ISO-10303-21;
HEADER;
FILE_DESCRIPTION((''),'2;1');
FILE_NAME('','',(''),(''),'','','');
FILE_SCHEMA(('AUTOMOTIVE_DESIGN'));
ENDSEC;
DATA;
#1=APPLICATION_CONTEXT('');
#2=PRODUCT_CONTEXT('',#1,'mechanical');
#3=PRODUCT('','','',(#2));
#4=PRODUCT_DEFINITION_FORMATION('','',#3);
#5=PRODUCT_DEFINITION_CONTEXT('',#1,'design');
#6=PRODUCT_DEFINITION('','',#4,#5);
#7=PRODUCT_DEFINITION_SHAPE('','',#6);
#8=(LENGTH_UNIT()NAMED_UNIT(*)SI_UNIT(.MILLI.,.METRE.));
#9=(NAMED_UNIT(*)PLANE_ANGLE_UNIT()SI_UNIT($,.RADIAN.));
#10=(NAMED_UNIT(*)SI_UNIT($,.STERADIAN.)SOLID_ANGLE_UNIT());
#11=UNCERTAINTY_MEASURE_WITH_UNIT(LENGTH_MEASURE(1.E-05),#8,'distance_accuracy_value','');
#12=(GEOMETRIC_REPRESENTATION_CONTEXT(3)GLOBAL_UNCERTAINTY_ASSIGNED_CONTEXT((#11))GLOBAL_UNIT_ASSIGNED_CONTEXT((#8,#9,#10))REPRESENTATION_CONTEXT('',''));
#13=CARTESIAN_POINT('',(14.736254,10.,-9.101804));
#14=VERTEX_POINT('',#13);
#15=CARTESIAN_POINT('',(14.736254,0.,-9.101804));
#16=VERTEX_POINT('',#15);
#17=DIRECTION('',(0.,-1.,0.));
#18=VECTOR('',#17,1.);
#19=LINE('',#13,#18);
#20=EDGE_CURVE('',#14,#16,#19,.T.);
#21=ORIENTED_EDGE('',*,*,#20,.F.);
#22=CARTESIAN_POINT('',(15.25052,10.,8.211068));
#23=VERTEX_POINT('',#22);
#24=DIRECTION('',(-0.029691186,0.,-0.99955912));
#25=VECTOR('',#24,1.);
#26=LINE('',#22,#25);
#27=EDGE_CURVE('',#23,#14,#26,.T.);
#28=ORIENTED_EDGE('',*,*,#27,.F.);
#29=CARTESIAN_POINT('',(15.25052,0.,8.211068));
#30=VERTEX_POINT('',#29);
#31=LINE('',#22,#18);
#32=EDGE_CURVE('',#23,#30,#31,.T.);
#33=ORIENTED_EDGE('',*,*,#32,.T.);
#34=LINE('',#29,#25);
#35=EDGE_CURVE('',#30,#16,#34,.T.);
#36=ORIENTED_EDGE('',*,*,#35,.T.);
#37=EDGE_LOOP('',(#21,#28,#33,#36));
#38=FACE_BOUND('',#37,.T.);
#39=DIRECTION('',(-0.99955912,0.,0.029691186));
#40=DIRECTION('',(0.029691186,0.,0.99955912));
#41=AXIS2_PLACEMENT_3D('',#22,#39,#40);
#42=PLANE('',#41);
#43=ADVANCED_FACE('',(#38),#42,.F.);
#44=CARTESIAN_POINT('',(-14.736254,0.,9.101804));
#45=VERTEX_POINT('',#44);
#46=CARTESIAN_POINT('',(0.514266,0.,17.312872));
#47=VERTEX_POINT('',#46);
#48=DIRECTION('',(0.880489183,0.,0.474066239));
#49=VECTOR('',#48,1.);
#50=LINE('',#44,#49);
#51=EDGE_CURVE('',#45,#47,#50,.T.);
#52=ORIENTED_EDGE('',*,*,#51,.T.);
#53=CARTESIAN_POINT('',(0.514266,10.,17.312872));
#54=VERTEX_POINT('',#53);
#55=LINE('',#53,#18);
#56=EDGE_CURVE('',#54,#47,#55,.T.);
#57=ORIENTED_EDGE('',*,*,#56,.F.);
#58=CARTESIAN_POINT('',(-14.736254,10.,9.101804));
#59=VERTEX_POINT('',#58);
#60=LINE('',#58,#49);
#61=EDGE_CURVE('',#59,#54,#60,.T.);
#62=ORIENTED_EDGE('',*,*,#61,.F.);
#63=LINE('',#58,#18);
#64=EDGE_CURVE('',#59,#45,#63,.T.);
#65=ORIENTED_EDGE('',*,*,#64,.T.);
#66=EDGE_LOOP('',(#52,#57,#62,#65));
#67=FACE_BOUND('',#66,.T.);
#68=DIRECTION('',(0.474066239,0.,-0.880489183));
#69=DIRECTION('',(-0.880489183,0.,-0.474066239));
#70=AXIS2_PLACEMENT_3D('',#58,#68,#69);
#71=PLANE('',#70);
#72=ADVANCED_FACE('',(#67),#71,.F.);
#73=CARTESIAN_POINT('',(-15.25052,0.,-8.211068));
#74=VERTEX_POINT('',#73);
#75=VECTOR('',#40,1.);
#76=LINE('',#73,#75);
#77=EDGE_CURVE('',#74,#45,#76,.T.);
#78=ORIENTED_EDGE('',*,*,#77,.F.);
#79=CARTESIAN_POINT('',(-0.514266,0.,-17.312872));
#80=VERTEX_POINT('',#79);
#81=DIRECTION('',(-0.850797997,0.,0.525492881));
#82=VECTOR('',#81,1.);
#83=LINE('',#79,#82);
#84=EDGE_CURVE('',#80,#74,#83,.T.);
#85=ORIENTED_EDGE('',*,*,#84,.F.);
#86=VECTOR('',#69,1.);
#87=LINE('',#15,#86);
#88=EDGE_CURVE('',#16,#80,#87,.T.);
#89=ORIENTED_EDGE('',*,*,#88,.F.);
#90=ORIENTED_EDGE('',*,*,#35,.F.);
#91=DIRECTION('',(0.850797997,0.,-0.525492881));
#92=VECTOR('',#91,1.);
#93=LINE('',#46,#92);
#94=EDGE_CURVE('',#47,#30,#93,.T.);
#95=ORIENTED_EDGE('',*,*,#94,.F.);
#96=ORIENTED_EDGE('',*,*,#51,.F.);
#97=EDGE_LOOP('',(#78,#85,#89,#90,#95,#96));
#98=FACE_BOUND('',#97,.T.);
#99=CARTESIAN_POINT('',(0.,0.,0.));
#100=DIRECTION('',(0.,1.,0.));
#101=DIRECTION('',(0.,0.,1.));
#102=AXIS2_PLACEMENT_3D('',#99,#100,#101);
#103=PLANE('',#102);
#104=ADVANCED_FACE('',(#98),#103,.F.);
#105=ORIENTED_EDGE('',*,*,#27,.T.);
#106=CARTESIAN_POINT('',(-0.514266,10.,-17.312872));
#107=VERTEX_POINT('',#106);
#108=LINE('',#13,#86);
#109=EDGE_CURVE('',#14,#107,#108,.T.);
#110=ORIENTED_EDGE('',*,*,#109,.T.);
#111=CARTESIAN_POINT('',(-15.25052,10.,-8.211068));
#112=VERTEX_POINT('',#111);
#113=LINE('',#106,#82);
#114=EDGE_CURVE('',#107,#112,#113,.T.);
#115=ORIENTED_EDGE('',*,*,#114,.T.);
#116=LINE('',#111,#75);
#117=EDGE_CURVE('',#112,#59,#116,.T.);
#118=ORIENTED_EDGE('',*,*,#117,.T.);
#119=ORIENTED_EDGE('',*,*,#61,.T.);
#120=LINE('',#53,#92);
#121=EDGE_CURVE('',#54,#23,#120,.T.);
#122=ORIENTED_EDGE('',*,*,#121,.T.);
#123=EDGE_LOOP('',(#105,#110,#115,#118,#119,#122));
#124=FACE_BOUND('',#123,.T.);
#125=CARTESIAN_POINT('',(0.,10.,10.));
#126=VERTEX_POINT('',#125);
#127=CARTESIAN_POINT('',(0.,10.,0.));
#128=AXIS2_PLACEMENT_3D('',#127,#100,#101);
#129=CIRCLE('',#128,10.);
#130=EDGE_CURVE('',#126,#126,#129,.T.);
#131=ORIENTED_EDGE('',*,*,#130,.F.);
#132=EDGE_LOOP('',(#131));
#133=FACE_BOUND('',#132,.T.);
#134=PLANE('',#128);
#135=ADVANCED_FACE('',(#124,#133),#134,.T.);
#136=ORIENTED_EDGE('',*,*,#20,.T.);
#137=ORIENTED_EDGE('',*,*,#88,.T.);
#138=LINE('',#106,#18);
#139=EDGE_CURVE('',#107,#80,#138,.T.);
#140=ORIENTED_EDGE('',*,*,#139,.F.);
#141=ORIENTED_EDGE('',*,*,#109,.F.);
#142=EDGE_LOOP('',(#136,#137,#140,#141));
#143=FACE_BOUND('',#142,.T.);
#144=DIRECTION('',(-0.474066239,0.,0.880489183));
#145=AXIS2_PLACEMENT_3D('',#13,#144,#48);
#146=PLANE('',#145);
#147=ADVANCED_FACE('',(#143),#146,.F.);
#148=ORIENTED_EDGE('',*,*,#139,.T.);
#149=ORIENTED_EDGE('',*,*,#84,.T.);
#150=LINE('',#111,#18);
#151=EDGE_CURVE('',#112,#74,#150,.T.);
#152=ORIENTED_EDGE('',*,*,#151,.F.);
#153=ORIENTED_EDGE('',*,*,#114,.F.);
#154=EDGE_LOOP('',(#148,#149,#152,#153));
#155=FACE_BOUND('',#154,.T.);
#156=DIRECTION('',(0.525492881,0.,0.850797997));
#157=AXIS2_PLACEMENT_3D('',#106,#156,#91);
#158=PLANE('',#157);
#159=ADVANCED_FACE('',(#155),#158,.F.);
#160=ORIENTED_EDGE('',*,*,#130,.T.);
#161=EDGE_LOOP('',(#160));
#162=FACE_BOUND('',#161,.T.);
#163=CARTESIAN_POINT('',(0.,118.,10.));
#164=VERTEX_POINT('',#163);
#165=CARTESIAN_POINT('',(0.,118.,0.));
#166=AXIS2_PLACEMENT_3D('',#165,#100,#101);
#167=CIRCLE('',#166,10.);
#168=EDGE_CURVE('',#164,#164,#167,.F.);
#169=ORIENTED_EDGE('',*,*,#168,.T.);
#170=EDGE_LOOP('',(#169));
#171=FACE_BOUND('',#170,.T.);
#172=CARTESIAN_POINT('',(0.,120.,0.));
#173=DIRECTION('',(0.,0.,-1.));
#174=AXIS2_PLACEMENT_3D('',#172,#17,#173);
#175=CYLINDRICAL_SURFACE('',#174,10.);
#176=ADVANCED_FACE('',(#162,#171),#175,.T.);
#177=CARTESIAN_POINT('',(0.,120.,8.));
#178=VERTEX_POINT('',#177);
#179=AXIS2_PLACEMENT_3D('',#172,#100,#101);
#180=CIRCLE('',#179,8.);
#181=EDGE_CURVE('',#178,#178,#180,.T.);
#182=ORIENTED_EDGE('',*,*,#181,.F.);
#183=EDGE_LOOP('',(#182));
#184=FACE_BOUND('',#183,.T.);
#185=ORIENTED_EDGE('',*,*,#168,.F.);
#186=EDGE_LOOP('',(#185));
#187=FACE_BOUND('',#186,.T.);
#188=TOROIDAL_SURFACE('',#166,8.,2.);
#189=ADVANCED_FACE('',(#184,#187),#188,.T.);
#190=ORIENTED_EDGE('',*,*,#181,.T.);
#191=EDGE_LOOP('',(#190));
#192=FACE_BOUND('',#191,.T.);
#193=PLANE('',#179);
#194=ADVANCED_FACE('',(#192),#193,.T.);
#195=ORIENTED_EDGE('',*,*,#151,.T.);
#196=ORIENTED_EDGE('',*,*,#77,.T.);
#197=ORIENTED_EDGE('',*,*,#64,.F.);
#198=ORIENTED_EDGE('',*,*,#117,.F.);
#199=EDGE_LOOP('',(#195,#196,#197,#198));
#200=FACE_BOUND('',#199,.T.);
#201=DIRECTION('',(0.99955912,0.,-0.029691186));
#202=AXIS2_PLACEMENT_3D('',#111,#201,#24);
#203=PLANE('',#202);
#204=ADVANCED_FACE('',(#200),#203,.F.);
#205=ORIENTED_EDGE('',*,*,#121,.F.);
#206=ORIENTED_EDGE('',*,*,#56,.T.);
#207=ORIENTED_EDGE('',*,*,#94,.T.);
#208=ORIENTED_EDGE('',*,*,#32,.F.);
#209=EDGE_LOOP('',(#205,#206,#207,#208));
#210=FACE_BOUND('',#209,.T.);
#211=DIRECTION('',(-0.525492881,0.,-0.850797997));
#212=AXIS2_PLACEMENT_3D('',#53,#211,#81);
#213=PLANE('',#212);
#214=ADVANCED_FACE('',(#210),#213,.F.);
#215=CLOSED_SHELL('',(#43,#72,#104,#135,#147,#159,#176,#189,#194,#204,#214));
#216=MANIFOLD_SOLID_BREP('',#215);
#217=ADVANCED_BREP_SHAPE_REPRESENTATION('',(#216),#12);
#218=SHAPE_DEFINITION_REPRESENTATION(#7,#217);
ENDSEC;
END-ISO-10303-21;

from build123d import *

# Parameters (mm, degrees)
BOSS_EXTRU_1_DEPTH = 10
ESQUISSE2_R        = 10
BOSS_EXTRU_2_DEPTH = 110
CONG_1_R           = 2


with BuildPart() as part:
    # Esquisse1 → Boss.-Extru.1 (new body)
    with BuildSketch(Plane(origin=(0, 0, 0), x_dir=(1, 0, 0), z_dir=(0, 1, 0))):
        Polygon((14.736253584, 9.101803684), (-0.514266419, 17.312871803), (-15.250520003, 8.211068118), (-14.736253584, -9.101803684), (0.514266419, -17.312871803), (15.250520003, -8.211068118), align=None)
    extrude(amount=BOSS_EXTRU_1_DEPTH)

    # Esquisse2 → Boss.-Extru.2 (add)
    with BuildSketch(Plane(origin=(0, 10, 0), x_dir=(1, 0, 0), z_dir=(0, 1, 0))):
        Circle(ESQUISSE2_R)
    extrude(amount=BOSS_EXTRU_2_DEPTH)

    # Congé1
    cong_1_edges = [part.edges().sort_by_distance(p)[0] for p in [
        (-10, 120, 0),
    ]]
    fillet(cong_1_edges, radius=CONG_1_R)


solid = part.part
